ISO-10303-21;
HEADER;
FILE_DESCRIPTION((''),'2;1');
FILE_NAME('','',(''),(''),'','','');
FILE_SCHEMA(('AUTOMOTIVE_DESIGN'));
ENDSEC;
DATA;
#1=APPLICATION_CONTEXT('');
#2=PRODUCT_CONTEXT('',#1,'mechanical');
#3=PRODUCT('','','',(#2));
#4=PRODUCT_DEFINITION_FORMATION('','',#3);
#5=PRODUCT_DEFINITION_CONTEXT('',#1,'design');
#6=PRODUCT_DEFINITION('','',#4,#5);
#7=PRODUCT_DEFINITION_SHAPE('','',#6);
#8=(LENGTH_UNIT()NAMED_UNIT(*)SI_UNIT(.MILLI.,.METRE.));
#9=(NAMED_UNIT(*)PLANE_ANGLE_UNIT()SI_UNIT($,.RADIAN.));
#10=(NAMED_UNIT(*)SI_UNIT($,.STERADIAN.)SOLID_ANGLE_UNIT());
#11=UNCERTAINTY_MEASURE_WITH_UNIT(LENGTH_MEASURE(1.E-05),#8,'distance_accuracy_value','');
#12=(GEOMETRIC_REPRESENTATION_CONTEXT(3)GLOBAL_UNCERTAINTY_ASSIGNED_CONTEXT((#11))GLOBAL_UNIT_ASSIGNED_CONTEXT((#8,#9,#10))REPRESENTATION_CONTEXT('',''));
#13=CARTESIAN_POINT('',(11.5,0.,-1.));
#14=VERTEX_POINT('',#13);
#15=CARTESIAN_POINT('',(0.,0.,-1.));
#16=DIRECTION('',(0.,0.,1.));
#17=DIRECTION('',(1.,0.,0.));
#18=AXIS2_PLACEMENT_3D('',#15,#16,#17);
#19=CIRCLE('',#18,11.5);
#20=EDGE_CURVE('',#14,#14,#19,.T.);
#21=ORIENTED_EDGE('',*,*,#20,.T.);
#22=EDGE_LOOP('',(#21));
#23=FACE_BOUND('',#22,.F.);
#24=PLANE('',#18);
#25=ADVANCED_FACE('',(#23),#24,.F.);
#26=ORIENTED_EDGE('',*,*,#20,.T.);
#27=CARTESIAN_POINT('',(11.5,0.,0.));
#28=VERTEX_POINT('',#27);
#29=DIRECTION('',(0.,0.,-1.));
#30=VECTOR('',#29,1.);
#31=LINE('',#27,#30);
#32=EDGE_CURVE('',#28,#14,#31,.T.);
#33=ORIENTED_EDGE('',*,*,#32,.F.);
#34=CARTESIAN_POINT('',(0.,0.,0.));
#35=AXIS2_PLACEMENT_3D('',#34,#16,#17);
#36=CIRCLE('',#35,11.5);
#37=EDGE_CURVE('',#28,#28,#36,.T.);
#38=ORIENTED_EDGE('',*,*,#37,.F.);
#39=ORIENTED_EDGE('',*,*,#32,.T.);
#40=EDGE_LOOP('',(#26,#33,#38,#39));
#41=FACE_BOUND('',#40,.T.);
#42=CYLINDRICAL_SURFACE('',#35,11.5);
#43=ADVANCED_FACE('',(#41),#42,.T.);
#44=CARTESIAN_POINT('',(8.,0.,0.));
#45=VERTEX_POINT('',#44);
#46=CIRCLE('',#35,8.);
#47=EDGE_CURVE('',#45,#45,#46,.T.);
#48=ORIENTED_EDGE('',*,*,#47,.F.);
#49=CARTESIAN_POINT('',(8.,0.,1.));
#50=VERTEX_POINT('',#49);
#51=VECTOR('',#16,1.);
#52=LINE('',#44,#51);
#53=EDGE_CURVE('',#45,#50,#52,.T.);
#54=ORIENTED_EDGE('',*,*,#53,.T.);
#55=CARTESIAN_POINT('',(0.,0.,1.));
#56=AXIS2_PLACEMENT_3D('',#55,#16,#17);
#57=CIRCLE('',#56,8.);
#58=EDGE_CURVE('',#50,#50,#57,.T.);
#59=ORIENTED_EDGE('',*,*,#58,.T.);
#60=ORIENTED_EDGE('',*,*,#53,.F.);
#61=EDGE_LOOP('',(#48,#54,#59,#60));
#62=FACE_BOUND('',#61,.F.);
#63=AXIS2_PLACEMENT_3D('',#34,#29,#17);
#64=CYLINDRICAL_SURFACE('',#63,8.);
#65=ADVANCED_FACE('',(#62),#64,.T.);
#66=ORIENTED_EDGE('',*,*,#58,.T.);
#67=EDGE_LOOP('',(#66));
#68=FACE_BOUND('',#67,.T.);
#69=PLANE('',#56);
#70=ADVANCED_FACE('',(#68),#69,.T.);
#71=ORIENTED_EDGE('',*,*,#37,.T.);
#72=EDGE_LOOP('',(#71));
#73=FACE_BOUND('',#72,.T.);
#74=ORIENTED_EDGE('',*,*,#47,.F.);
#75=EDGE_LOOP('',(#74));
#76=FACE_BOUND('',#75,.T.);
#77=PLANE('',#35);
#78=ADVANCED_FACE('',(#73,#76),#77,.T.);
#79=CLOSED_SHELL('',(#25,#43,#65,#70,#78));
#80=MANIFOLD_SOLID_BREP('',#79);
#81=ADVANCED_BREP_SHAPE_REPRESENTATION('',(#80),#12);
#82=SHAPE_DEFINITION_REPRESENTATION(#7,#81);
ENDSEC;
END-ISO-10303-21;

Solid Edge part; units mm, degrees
sketch "Sketch1" plane through (0, 0, 0) normal (0, 0, 1) x (1, 0, 0)
  circle A0 centre (0, 0) radius 11.5
extrude "Protrusion1" add sketch "Sketch1" against normal blind 1
sketch "Sketch2" plane through (0, 0, 0) normal (0, 0, 1) x (1, 0, 0)
  circle A0 centre (0, 0) radius 8
extrude "smallbase" add sketch "Sketch2" along normal blind 1
